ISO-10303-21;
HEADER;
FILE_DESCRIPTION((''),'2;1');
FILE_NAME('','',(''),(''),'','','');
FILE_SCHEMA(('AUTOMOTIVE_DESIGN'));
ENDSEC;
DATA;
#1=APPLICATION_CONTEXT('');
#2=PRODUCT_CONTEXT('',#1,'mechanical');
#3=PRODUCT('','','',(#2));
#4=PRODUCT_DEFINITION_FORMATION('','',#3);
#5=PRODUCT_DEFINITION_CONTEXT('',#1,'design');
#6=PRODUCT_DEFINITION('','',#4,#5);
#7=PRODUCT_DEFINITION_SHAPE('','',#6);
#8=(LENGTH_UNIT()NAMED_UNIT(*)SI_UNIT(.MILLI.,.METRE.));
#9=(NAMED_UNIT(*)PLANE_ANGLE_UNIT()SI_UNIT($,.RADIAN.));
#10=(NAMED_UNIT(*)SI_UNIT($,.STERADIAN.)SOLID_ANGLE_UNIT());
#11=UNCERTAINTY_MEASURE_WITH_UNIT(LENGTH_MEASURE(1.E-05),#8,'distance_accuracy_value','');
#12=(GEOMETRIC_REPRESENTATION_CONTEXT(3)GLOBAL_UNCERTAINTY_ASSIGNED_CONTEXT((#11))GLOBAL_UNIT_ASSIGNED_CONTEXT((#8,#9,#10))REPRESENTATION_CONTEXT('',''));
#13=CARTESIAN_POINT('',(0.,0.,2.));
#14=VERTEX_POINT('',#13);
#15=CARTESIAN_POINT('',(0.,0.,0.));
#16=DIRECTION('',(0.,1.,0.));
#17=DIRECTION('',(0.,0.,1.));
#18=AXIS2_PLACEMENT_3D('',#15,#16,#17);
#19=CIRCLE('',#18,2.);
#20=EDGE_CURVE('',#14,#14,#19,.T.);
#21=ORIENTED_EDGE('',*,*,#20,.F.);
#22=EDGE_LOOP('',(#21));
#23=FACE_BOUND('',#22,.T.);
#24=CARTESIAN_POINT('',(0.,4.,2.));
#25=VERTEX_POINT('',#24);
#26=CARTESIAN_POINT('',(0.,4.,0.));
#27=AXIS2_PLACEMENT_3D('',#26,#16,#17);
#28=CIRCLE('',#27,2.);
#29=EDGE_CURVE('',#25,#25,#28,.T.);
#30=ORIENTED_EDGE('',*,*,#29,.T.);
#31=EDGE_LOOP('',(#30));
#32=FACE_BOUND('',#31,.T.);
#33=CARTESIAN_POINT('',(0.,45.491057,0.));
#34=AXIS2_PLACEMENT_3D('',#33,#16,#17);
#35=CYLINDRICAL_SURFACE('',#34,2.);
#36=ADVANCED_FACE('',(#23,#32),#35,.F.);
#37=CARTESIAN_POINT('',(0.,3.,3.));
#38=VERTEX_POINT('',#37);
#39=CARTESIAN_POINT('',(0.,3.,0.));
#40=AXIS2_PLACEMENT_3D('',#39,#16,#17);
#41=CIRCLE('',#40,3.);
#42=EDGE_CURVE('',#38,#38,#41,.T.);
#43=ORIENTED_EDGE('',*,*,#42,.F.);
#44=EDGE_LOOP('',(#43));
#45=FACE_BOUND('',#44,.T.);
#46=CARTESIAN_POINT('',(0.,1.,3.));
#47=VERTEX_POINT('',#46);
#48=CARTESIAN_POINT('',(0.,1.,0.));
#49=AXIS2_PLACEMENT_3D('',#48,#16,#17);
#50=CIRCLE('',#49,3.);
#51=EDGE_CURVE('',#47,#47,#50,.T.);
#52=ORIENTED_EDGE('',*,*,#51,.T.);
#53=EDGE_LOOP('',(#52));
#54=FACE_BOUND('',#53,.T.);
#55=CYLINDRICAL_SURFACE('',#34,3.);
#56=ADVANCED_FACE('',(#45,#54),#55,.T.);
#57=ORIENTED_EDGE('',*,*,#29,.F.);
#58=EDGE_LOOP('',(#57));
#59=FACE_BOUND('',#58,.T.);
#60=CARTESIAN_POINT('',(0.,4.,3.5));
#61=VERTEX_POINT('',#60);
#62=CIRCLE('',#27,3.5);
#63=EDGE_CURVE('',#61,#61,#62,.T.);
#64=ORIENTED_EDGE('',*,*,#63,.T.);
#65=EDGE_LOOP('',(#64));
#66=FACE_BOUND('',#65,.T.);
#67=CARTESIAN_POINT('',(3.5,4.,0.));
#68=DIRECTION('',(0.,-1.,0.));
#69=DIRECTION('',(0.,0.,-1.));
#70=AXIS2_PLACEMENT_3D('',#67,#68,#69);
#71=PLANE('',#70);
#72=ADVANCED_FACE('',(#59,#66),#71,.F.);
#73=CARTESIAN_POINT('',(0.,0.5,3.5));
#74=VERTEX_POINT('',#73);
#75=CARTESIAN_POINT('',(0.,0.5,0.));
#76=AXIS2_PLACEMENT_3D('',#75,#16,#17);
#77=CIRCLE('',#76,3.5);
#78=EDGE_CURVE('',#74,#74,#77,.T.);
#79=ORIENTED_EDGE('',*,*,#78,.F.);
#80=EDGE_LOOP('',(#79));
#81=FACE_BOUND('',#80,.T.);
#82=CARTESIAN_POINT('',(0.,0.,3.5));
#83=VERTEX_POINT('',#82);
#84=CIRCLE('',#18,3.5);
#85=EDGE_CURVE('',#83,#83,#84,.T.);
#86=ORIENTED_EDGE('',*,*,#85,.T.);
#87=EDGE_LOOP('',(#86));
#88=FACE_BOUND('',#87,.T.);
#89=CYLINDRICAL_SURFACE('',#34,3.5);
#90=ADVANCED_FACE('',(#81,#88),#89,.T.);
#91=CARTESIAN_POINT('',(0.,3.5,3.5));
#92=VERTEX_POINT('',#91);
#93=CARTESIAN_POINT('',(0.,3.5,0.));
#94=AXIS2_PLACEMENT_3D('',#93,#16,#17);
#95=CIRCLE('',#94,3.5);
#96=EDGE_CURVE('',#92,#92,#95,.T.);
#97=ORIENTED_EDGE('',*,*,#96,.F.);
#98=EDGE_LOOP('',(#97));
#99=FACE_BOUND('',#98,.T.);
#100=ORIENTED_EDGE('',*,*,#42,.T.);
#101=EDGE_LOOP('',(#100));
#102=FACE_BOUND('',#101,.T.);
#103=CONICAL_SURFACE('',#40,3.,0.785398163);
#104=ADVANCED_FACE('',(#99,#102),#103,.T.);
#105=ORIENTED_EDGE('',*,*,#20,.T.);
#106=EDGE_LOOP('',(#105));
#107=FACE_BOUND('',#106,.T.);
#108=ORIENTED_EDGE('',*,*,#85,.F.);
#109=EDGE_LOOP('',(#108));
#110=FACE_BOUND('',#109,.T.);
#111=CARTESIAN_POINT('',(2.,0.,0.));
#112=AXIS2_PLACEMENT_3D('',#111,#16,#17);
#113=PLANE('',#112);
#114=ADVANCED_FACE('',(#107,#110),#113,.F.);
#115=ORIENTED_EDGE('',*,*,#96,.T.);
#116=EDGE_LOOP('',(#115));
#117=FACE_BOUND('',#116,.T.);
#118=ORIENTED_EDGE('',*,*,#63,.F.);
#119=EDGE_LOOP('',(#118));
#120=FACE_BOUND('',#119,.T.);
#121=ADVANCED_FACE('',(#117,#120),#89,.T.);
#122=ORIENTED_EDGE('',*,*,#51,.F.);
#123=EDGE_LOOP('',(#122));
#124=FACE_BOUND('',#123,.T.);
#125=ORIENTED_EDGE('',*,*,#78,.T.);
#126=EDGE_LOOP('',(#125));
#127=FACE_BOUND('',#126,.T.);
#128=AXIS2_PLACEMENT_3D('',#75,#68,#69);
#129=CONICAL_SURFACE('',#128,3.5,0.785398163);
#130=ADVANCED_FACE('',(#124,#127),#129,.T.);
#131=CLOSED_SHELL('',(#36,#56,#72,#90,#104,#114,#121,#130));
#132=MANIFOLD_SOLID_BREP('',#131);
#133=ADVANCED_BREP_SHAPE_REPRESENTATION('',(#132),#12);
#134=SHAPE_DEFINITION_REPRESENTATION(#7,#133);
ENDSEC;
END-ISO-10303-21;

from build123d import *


with BuildPart() as part:
    # Sketch1 → Revolve1 (revolve)
    with BuildSketch(Plane.XY):
        Polygon((2, 0), (3.5, 0), (3.5, 0.5), (3, 1), (3, 3), (3.5, 3.5), (3.5, 4), (2, 4), align=None)
    revolve(axis=Axis((0, 45.491057376, 0), (0, -1, 0)))


solid = part.part
